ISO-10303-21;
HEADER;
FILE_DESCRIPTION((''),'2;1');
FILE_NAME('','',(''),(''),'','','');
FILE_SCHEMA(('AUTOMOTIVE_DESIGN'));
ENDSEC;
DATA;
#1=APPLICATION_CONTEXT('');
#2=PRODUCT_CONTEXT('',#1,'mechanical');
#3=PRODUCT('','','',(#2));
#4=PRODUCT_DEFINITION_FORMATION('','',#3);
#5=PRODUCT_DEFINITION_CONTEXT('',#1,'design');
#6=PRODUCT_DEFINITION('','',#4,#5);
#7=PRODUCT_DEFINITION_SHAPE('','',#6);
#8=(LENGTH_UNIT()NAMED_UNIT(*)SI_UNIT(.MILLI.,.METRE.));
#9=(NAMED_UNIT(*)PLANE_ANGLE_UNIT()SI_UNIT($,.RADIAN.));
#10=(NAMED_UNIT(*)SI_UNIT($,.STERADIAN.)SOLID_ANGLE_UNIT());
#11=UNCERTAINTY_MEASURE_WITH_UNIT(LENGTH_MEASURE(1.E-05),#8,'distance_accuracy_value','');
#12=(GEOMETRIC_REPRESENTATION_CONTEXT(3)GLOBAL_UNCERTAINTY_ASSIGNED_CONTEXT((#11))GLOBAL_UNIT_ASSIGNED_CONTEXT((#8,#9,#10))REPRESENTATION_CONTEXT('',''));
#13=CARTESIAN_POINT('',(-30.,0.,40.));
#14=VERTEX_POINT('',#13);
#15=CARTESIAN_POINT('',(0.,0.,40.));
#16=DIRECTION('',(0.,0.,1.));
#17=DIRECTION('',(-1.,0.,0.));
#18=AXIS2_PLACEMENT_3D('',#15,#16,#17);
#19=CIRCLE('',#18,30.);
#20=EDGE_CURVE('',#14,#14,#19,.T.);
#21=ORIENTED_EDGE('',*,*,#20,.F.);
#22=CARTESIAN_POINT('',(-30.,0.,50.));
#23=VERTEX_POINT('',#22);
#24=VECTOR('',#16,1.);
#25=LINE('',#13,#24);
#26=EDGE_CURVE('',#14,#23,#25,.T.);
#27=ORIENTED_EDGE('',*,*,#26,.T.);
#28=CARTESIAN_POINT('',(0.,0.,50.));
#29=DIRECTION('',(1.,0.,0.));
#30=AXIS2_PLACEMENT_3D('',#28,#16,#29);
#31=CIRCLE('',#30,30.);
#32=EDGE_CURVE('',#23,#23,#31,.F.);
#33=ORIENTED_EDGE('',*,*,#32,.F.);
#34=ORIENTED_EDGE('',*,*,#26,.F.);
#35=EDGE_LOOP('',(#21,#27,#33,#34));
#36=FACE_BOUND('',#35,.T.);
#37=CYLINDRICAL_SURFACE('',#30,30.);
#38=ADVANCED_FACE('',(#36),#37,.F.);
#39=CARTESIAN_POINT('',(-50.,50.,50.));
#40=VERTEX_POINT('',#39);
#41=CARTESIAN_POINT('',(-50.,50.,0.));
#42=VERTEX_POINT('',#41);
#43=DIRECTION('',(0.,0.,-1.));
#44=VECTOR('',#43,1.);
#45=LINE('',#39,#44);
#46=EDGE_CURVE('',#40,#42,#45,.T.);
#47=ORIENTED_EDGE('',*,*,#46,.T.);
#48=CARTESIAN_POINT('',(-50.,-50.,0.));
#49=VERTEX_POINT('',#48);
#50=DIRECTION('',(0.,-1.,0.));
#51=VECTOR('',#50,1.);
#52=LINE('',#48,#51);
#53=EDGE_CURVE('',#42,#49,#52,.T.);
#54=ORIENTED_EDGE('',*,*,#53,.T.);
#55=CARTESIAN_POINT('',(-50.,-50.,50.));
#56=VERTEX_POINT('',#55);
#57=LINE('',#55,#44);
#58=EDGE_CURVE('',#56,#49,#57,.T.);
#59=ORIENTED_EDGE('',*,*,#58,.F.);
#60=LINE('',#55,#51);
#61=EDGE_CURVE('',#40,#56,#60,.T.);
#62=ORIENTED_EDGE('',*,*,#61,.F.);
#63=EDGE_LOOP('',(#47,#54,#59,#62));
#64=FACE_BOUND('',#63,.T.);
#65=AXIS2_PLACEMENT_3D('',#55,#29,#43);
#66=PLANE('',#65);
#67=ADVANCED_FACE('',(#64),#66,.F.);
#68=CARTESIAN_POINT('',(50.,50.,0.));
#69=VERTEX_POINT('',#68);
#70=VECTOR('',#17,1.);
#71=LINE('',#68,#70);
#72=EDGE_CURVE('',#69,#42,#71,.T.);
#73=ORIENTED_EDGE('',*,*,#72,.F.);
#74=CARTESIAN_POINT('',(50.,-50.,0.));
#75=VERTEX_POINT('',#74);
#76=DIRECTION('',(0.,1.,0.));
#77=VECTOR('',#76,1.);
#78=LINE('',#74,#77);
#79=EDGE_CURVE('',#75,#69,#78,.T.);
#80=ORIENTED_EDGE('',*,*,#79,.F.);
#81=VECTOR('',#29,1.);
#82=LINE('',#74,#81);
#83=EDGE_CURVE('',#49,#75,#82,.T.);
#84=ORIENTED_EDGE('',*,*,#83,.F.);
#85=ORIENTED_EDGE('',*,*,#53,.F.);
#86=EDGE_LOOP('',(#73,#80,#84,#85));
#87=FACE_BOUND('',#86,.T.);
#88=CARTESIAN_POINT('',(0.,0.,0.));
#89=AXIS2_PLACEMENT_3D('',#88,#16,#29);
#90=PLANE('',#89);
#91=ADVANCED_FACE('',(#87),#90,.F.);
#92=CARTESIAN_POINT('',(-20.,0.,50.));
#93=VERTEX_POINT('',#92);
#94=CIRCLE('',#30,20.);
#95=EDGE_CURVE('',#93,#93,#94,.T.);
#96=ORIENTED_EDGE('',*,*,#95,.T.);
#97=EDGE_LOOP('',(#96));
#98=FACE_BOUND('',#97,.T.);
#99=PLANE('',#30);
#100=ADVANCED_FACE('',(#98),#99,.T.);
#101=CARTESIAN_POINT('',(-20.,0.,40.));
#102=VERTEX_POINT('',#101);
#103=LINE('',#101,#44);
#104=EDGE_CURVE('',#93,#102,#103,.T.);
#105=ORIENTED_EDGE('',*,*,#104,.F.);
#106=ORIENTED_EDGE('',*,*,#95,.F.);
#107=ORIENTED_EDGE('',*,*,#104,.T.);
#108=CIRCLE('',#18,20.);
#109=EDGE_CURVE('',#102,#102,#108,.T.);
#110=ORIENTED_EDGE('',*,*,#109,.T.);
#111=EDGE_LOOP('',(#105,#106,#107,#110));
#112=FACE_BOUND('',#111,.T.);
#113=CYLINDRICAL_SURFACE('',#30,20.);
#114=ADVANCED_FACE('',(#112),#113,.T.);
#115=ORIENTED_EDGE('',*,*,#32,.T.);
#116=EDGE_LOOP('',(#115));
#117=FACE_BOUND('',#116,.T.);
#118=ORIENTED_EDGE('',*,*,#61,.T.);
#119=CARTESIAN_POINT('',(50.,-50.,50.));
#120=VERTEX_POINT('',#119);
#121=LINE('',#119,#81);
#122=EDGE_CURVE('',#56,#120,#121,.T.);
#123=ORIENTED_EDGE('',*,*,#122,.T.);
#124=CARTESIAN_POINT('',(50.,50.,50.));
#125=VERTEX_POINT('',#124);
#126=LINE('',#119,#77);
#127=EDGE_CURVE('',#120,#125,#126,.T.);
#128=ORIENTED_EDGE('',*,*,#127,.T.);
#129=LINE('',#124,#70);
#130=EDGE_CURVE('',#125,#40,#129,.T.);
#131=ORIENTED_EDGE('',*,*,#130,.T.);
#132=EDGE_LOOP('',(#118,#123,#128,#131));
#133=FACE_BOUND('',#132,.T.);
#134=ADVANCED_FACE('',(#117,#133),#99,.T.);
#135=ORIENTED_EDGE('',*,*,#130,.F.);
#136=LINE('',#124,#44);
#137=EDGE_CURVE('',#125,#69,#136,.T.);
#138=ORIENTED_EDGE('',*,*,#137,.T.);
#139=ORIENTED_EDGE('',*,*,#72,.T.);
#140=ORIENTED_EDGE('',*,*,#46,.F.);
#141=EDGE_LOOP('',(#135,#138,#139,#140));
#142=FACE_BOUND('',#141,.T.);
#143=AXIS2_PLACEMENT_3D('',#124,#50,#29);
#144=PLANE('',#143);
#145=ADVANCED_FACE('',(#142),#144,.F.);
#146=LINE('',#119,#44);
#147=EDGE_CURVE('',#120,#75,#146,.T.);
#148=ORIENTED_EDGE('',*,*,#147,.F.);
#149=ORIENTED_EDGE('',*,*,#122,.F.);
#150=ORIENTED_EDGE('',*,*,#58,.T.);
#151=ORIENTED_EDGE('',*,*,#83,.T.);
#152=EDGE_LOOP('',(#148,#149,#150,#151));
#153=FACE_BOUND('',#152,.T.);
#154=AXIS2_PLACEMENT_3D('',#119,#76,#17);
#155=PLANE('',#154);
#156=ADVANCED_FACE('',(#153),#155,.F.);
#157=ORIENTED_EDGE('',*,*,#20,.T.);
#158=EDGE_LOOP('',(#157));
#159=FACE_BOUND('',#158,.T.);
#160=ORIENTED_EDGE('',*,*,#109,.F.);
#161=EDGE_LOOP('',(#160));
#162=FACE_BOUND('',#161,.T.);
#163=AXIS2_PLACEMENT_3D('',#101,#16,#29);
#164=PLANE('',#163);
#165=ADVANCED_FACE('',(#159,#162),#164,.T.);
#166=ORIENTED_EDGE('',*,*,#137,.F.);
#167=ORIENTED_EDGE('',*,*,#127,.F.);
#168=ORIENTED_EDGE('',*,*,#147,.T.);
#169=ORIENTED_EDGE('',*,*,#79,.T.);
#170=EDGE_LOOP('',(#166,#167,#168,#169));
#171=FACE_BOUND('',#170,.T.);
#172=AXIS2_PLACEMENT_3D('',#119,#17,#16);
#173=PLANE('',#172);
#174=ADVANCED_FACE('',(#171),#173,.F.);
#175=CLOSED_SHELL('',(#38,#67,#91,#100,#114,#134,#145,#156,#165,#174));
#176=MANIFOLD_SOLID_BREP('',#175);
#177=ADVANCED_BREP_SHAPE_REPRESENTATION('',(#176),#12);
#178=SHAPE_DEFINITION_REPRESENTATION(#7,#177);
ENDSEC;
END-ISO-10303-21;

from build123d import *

# Parameters (mm, degrees)
SKIZZE1_W                       = 100
SKIZZE1_H                       = 100
AUFSATZ_LINEAR_AUSTRAGEN1_DEPTH = 50
SKIZZE5_W                       = 10
SKIZZE5_H                       = 20


with BuildPart() as part:
    # Skizze1 → Aufsatz-Linear austragen1 (new body)
    with BuildSketch(Plane.XY):
        Rectangle(SKIZZE1_W, SKIZZE1_H)
    extrude(amount=AUFSATZ_LINEAR_AUSTRAGEN1_DEPTH)

    # Schnitt-Austragung1: sweep along a path in Skizze2
    with BuildLine(Plane.XY.offset(50)) as schnitt_austragung1_path:
        CenterArc((0, 0), 25, 0, 360)
    # Skizze5 → Schnitt-Austragung1 (sweep, cut)
    with BuildSketch(Plane(origin=(0, 0, 0), x_dir=(1, 0, 0), z_dir=(0, 1, 0))):
        with Locations((-25, -50)):
            Rectangle(SKIZZE5_W, SKIZZE5_H)
    sweep(path=schnitt_austragung1_path.line, mode=Mode.SUBTRACT)


solid = part.part
